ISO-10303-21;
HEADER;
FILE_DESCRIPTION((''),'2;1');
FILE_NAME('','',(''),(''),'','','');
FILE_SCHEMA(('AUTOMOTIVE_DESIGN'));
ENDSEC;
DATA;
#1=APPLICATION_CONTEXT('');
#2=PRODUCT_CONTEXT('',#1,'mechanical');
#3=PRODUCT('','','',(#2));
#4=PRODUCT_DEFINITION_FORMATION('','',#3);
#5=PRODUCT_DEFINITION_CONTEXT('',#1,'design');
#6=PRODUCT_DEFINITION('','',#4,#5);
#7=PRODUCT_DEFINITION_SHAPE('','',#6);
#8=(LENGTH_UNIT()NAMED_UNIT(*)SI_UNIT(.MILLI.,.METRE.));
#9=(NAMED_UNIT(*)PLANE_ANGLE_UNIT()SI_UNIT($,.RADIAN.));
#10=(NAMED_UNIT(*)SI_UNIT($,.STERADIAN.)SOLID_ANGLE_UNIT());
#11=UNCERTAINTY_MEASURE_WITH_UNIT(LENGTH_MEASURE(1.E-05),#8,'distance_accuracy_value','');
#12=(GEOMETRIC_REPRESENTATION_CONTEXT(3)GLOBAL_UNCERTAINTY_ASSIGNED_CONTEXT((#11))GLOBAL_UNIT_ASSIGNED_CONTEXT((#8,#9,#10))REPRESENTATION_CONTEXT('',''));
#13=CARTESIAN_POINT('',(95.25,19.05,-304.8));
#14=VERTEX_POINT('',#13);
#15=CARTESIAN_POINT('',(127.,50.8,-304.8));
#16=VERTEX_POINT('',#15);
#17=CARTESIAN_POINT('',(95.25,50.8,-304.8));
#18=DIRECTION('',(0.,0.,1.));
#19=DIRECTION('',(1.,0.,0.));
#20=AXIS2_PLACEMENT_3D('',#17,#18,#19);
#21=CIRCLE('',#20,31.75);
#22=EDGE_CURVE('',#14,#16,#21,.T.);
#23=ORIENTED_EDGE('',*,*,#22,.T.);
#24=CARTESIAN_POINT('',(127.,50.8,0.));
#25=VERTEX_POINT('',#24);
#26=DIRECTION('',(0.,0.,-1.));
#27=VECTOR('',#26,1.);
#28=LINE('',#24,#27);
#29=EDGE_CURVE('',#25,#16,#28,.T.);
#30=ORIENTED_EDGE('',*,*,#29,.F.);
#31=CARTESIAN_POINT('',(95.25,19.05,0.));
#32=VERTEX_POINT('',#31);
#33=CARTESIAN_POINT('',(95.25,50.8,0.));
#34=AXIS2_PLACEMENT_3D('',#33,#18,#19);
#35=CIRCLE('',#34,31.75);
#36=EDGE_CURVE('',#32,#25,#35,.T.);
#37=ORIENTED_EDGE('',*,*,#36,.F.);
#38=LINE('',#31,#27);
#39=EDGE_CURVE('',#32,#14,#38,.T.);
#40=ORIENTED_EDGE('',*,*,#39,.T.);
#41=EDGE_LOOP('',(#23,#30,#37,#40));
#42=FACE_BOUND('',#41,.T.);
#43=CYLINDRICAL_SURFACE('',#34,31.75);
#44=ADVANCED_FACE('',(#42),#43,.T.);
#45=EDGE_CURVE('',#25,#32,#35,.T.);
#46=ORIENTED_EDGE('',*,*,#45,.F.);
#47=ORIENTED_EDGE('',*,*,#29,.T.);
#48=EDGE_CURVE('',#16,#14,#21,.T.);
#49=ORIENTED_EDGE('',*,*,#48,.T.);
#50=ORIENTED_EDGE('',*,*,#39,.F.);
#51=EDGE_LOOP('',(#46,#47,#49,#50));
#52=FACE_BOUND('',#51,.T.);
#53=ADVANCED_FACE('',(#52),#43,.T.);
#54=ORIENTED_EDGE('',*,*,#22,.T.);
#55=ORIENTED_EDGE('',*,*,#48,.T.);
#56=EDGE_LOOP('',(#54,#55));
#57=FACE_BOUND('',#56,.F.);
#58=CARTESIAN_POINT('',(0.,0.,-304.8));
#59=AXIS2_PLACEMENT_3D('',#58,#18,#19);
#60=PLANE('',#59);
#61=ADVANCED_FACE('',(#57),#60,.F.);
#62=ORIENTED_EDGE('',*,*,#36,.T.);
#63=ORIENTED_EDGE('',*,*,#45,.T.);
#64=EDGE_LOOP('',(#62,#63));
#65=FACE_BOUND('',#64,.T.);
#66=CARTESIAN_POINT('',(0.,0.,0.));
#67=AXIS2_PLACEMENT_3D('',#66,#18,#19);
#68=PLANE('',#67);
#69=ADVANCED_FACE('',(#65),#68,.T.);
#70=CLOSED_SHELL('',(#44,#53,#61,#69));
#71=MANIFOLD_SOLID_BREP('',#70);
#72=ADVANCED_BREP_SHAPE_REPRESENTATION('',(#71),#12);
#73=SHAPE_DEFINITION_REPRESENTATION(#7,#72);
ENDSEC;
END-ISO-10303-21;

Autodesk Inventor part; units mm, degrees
ref_plane "YZ Plane" through (0, 0, 0) normal (1, 0, 0) x (0, 1, 0)
ref_plane "XZ Plane" through (0, 0, 0) normal (0, 1, 0) x (-1, 0, 0)
sketch "Sketch1" plane through (0, 0, 0) normal (0, 0, 1) x (1, 0, 0)
  line L0 (0, 19.05) -> (127, 19.05) projected
  line L1 (127, 0) -> (127, 19.05) projected
  line L2 (127, 0) -> (127, 86.3927) construction
  circle A0 centre (95.25, 50.8) radius 31.75
  point P0 (0, 0)
  dimension "d0" = 63.5
ref_plane "Work Plane1" through (0, 0, -304.8) normal (0, 0, -1) x (0, 1, 0)
extrude "Extrusion1" add sketch "Sketch1" against normal up to surface (304.8 mm away)
properties part number "Front Noodle 2"
